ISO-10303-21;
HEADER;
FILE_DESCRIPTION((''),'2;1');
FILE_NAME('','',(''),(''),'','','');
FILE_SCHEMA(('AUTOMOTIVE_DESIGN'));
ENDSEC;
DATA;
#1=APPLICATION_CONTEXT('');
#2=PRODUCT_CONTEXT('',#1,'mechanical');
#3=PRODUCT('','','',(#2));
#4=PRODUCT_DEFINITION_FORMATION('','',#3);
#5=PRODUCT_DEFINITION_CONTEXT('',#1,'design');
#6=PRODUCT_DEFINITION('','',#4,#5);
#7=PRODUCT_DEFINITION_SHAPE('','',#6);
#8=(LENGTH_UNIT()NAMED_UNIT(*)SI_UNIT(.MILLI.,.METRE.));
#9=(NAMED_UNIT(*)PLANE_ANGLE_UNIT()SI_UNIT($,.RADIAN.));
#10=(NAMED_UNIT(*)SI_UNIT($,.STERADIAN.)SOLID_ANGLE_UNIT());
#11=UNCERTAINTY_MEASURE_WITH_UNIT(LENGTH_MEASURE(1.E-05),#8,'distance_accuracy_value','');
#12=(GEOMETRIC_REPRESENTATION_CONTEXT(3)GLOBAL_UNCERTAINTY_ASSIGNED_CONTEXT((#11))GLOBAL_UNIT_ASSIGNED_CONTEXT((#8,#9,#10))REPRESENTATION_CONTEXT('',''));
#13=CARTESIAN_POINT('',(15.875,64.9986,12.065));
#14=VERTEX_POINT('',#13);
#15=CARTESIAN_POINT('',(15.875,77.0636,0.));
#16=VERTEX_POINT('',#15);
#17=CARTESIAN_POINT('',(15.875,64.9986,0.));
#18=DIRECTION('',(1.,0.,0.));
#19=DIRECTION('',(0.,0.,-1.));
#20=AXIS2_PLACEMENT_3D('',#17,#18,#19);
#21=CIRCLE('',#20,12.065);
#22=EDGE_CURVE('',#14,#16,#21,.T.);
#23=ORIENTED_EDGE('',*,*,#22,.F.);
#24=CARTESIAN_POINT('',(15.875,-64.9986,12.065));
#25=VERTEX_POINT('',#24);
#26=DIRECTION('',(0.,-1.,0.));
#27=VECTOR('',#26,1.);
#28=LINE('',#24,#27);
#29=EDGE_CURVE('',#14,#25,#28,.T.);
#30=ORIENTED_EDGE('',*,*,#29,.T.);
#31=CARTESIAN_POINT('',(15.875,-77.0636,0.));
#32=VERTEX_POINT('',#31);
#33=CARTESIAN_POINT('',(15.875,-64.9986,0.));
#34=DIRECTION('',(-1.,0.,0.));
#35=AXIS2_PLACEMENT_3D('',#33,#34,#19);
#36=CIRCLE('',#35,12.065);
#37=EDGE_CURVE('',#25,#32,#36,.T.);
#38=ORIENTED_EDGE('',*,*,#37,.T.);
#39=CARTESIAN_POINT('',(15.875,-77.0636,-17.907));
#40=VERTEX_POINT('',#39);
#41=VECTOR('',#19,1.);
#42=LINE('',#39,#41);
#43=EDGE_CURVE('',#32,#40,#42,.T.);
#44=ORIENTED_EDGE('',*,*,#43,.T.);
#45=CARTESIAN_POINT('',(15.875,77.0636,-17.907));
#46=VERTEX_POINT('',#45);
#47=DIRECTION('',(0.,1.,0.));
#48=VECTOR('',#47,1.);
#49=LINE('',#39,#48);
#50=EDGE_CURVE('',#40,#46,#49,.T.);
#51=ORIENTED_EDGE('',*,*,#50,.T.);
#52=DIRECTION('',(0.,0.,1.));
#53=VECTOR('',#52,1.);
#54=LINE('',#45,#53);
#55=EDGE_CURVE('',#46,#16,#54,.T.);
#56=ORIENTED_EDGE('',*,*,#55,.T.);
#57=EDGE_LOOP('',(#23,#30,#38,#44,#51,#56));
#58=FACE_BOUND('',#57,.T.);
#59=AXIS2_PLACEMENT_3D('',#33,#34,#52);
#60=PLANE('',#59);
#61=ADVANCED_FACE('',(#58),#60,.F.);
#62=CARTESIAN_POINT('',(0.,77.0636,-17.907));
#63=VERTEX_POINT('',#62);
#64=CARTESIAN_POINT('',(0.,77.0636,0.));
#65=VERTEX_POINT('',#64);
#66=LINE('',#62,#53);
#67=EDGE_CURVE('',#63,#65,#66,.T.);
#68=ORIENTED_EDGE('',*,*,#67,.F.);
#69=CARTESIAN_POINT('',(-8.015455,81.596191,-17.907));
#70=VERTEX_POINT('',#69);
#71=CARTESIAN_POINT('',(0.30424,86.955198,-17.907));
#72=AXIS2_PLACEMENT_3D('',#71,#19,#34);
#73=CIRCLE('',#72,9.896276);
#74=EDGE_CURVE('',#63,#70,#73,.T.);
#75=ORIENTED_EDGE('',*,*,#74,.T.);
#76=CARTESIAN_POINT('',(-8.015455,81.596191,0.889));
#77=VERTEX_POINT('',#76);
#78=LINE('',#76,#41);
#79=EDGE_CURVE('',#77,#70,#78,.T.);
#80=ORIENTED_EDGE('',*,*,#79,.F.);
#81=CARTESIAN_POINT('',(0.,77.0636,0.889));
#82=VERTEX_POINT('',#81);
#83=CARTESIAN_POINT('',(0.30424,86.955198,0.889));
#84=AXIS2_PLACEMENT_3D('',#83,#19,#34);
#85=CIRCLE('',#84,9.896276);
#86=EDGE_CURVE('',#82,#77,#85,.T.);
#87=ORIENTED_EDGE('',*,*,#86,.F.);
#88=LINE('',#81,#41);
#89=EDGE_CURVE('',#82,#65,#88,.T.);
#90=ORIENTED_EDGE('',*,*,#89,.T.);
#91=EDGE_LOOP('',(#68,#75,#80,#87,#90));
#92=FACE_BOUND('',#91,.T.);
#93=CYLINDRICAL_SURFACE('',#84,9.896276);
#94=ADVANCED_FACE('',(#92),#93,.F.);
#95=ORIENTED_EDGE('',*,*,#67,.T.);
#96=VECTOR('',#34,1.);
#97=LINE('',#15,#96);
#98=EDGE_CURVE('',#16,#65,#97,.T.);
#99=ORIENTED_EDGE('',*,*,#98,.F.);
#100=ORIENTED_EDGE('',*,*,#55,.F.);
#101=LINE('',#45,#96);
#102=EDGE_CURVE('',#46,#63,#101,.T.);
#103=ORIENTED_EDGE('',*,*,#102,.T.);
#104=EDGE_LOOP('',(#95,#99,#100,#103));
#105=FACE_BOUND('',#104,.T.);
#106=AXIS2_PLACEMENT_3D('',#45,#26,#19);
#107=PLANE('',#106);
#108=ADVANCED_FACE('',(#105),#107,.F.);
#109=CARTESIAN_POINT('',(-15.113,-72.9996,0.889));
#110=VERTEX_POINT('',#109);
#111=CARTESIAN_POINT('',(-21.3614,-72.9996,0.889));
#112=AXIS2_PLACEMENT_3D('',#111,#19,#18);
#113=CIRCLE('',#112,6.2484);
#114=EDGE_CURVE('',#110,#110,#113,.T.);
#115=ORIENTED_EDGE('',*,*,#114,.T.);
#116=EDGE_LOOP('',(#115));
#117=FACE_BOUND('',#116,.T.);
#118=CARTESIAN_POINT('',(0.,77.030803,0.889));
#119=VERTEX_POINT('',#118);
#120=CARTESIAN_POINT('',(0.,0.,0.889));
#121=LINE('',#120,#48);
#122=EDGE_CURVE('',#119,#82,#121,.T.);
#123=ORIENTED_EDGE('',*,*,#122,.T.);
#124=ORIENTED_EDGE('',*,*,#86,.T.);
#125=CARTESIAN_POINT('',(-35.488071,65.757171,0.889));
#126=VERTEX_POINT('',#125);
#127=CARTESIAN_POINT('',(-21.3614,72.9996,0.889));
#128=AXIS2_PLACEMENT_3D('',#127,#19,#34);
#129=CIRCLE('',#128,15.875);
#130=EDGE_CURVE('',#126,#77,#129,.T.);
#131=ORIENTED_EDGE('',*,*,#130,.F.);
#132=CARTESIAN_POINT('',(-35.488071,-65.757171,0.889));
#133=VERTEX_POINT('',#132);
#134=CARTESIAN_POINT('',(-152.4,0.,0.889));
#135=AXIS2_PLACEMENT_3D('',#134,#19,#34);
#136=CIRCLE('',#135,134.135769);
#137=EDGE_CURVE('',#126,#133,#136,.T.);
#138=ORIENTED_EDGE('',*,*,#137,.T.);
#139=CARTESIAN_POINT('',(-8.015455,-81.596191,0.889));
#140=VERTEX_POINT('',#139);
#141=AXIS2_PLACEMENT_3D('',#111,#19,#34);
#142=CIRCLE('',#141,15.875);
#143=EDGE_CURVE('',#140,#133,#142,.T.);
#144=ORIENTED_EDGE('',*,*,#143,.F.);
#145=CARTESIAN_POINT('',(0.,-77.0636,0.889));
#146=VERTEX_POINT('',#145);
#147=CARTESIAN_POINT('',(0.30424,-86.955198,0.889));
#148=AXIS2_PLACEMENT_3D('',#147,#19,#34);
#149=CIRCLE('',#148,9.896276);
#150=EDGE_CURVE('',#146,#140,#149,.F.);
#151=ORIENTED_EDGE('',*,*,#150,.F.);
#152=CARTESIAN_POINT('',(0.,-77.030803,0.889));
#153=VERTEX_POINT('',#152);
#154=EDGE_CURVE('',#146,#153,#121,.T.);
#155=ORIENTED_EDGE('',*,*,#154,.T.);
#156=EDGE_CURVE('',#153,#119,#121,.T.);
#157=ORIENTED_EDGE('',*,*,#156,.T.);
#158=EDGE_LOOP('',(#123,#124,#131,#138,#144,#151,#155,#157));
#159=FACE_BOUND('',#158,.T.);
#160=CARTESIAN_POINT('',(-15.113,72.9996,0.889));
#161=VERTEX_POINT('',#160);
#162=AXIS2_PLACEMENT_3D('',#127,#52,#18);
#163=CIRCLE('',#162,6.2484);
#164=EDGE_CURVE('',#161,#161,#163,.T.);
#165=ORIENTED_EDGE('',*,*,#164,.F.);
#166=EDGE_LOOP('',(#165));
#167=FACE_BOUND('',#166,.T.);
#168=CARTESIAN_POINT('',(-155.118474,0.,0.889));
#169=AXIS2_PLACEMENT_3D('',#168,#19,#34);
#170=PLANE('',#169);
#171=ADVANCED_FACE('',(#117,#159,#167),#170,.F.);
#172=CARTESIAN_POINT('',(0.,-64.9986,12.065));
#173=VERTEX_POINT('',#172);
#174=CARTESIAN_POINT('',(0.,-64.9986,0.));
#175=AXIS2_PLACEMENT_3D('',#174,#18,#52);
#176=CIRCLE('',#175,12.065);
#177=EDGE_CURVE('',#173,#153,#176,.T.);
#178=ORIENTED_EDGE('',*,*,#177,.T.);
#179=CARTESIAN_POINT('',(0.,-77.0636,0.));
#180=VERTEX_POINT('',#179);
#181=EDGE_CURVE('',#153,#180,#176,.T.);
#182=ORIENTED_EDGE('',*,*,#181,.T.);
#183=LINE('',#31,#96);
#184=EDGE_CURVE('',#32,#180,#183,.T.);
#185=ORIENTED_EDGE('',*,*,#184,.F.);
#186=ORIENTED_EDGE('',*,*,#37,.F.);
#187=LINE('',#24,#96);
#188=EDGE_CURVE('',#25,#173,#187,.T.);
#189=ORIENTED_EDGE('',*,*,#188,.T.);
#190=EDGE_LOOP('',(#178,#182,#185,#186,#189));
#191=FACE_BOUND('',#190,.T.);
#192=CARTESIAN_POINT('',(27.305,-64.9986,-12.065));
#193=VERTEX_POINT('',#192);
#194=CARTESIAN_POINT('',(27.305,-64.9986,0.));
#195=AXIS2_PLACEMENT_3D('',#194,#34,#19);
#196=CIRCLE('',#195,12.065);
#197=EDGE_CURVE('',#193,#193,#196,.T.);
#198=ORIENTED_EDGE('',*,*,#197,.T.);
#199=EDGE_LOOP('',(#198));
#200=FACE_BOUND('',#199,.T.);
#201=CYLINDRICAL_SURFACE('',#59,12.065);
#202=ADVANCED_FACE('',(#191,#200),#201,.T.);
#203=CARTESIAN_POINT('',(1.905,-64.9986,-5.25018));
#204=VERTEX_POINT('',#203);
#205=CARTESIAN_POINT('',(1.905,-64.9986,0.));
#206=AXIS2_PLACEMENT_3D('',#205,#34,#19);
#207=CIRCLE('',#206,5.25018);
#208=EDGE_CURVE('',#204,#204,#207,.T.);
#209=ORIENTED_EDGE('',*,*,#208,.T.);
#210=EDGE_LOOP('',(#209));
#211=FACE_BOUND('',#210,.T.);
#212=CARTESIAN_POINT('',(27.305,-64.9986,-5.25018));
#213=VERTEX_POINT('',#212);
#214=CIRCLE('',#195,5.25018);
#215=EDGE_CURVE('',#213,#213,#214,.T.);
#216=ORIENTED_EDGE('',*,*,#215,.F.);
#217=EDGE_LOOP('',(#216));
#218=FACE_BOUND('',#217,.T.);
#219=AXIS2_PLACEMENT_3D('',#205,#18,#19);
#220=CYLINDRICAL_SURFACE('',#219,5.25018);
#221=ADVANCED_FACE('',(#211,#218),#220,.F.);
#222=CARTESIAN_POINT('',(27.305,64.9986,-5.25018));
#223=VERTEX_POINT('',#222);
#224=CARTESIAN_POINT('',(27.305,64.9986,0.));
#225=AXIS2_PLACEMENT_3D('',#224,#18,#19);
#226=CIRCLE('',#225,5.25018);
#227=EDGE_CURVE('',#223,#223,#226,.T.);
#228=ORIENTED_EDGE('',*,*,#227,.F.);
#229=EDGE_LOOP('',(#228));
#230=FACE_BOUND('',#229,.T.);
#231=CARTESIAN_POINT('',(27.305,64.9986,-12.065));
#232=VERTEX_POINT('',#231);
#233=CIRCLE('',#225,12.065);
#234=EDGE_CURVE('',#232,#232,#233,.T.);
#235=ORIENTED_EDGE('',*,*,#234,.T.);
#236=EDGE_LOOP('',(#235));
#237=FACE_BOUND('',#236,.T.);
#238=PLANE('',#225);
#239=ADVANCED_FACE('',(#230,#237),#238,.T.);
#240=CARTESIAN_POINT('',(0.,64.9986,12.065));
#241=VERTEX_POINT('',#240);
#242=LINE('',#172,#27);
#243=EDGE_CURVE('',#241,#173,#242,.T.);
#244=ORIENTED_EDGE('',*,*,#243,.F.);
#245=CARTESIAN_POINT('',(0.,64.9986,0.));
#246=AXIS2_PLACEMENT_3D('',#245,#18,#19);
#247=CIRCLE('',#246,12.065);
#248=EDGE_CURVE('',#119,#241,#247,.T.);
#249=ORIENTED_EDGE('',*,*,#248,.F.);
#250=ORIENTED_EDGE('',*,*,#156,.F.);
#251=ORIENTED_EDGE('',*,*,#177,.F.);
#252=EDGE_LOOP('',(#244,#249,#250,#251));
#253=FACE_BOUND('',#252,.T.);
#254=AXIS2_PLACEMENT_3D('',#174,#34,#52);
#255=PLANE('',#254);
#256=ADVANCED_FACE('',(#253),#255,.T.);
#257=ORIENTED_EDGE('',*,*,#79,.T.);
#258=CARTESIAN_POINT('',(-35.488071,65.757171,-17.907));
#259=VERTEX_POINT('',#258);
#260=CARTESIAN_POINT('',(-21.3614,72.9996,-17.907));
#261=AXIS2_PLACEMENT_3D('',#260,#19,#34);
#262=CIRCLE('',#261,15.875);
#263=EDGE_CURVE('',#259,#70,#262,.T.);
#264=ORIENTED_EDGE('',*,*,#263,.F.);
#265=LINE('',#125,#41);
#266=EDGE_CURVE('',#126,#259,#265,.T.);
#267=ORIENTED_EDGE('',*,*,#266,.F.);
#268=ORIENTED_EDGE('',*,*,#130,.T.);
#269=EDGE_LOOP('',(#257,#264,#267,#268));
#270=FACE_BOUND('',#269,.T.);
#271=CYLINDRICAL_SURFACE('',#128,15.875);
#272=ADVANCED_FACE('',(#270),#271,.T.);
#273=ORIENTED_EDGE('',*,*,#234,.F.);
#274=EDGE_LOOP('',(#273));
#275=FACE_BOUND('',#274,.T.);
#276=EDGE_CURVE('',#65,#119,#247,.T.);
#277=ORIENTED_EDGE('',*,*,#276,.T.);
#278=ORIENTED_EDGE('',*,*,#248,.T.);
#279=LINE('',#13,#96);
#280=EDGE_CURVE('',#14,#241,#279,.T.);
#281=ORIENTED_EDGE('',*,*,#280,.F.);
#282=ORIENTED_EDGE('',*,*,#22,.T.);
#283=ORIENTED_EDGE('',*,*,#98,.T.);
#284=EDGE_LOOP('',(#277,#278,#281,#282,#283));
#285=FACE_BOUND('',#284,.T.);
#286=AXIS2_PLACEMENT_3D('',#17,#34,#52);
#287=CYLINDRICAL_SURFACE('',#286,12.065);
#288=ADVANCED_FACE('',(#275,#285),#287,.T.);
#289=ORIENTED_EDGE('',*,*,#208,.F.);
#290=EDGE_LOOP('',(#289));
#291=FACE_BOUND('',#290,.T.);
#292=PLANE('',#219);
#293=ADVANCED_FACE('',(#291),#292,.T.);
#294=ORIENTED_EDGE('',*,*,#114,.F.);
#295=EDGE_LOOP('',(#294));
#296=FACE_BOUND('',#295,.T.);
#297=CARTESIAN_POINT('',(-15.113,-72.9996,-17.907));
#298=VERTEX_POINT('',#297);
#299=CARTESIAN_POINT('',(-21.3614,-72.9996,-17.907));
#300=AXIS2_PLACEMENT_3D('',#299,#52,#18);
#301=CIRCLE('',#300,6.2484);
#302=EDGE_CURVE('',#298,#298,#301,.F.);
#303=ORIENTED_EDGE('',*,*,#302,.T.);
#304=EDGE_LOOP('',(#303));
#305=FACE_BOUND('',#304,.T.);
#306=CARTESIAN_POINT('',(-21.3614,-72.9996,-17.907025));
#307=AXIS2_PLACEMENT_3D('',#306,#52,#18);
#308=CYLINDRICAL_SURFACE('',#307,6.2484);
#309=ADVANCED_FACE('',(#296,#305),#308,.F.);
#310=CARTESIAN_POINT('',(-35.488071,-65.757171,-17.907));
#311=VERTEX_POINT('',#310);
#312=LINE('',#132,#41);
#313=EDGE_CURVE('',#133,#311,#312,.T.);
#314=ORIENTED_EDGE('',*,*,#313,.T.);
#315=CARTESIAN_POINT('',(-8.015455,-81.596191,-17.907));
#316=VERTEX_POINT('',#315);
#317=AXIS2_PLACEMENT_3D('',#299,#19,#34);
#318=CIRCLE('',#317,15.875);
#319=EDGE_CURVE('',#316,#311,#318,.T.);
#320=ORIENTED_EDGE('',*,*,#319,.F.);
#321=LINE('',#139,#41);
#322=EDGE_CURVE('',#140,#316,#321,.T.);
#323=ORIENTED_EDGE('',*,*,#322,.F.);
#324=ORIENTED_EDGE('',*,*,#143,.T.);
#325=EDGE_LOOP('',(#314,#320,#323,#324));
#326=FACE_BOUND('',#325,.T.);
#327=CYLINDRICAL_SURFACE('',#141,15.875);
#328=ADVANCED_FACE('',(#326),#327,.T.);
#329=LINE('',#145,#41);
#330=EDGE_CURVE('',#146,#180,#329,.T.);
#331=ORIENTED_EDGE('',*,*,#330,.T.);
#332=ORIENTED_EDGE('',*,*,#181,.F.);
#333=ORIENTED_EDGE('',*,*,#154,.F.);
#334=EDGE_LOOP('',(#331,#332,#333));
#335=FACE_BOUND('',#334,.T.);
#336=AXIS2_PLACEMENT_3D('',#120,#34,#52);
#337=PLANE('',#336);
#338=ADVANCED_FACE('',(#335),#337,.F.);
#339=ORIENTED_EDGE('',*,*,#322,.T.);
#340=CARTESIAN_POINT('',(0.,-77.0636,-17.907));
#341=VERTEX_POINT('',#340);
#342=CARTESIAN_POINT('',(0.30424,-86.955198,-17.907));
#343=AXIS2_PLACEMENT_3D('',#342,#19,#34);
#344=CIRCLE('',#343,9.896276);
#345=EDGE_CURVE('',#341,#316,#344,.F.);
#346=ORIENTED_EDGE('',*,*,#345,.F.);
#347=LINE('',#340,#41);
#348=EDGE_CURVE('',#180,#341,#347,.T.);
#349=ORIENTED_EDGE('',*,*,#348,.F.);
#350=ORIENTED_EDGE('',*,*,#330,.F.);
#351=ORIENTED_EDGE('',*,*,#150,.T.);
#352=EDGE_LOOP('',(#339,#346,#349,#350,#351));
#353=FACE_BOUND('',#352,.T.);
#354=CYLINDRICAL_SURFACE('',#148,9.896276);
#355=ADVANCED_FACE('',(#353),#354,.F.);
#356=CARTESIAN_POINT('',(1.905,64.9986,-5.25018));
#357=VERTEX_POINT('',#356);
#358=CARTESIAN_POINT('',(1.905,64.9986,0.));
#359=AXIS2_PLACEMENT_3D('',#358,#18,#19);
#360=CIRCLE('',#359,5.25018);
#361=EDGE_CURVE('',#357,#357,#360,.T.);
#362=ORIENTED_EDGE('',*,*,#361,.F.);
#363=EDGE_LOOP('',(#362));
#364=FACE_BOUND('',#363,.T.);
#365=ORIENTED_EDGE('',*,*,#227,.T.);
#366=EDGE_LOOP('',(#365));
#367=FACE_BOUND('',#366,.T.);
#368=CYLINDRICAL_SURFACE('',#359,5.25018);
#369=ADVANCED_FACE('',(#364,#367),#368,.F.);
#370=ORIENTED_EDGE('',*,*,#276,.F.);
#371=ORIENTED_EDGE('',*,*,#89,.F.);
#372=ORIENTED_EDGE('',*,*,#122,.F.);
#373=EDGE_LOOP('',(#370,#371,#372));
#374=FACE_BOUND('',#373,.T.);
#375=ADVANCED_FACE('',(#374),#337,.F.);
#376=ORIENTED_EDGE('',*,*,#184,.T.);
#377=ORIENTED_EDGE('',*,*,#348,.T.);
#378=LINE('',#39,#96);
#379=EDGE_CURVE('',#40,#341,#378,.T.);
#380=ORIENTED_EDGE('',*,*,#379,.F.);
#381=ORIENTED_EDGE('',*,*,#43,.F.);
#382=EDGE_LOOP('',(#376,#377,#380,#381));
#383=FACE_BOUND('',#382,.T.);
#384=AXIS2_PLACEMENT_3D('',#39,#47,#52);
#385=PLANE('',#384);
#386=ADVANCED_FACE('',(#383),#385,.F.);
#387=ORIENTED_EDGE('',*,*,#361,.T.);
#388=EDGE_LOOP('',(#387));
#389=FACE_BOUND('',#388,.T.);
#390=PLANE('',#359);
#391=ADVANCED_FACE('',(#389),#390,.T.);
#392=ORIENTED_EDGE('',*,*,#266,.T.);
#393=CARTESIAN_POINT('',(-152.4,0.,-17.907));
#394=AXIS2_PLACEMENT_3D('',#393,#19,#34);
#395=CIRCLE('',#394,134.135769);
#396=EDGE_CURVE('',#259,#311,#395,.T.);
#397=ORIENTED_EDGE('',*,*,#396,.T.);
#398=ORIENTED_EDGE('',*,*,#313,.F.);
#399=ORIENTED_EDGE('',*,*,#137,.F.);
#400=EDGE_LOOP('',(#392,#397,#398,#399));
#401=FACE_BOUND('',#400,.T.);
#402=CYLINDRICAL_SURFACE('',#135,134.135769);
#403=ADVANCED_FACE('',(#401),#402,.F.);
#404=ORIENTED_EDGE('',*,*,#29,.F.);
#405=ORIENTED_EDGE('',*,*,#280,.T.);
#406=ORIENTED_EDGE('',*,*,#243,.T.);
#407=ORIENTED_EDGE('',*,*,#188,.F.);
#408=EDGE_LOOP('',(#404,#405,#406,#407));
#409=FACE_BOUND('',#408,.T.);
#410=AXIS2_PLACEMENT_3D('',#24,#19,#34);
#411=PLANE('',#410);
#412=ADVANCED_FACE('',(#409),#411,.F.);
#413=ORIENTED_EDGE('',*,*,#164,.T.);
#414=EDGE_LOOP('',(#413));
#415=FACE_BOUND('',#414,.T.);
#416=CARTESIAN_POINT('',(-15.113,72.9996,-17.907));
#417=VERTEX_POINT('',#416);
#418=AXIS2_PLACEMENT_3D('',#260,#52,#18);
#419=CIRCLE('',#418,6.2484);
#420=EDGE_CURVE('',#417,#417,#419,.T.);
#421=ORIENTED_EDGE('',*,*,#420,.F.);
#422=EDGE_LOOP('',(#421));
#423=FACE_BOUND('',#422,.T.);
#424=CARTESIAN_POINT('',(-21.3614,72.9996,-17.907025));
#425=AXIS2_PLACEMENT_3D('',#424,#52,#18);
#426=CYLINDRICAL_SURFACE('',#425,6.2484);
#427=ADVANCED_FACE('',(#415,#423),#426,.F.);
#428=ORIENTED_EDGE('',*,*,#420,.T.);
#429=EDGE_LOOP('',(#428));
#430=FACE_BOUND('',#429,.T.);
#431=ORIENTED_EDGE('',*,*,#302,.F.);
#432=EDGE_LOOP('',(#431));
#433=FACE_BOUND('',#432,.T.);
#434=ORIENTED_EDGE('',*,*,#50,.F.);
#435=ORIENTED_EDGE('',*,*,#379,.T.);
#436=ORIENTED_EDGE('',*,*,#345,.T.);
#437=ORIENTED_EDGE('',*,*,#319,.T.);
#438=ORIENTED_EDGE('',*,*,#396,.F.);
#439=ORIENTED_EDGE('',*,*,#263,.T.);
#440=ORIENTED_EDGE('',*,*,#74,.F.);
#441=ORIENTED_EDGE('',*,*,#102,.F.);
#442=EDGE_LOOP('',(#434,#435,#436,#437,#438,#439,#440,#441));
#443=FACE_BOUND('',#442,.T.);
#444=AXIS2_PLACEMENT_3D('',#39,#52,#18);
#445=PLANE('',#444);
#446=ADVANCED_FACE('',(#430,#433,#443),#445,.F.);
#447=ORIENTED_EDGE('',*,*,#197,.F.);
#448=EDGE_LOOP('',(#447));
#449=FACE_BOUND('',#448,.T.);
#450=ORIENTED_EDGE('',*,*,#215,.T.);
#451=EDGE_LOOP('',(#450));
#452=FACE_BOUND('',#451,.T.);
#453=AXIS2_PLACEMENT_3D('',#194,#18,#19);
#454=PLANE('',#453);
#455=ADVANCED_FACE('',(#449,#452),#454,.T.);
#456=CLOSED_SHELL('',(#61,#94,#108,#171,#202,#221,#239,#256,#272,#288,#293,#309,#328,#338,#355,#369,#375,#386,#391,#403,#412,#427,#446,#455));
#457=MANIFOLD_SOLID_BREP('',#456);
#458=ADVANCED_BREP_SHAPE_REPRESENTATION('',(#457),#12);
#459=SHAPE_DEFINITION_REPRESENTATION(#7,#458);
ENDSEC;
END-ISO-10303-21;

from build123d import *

# Parameters (mm, degrees)
EXTRUDE1_DEPTH     = 15.875
SKETCH2_R          = 12.065
EXTRUDE2_DEPTH     = 11.43
EXTRUDE4_DEPTH     = 18.796
SKETCH5_R          = 6.2484
CUT_EXTRUDE1_DEPTH = 19.796
SKETCH7_R          = 5.25018
CUT_EXTRUDE2_DEPTH = 25.4


with BuildPart() as part:
    # Sketch1 → Extrude1 (new body)
    with BuildSketch(Plane(origin=(0, 0, 0), x_dir=(0, 0, -1), z_dir=(1, 0, 0))):
        with BuildLine():
            Line((17.907, -77.0636), (17.907, 77.0636))
            Line((17.907, 77.0636), (0, 77.0636))
            ThreePointArc((0, 77.0636), (-8.531243315, 73.529843315), (-12.065, 64.9986))
            Line((-12.065, 64.9986), (-12.065, -64.9986))
            ThreePointArc((-12.065, -64.9986), (-8.531243315, -73.529843315), (0, -77.0636))
            Line((0, -77.0636), (17.907, -77.0636))
        make_face()
    extrude(amount=EXTRUDE1_DEPTH)

    # Sketch2 → Extrude2 (add)
    with BuildSketch(Plane(origin=(15.875, 0, 0), x_dir=(0, 0, -1), z_dir=(1, 0, 0))):
        with Locations(Location((0, 64.9986, 0), (0, 0, 180))):  # turned: the seam where the file's is
            Circle(SKETCH2_R)
    extrude2 = extrude(amount=EXTRUDE2_DEPTH)

    # Mirror of Extrude 2: Extrude2 across plane
    add(extrude2.mirror(Plane.ZX))

    # Sketch4 → Extrude4 (add)
    with BuildSketch(Plane(origin=(0, 0, -17.907), x_dir=(-1, 0, 0), z_dir=(0, 0, -1))):
        with BuildLine():
            ThreePointArc((8.015455062, 81.59619111), (4.56701856, 78.340842715), (0, 77.0636))
            Line((0, 77.0636), (0, -77.0636))
            ThreePointArc((0, -77.0636), (4.56701856, -78.340842715), (8.015455062, -81.59619111))
            ThreePointArc((8.015455062, -81.59619111), (29.290525196, -86.75258508), (35.488071258, -65.757170562))
            ThreePointArc((35.488071258, -65.757170562), (18.264230861, 0), (35.488071258, 65.757170562))
            ThreePointArc((35.488071258, 65.757170562), (29.290525196, 86.75258508), (8.015455062, 81.59619111))
        make_face()
    extrude(amount=-EXTRUDE4_DEPTH)

    # Sketch5 → Cut-Extrude1 (cut, through all)
    with BuildSketch(Plane.XY.offset(0.889)):
        with Locations((-21.3614, 72.9996)):
            Circle(SKETCH5_R)
    cut_extrude1 = extrude(amount=-CUT_EXTRUDE1_DEPTH, mode=Mode.SUBTRACT)

    # Sketch7 → Cut-Extrude2 (cut)
    with BuildSketch(Plane(origin=(27.305, 0, 0), x_dir=(0, 0, -1), z_dir=(1, 0, 0))):
        with Locations((0, 64.9986)):
            Circle(SKETCH7_R)
    cut_extrude2 = extrude(amount=-CUT_EXTRUDE2_DEPTH, mode=Mode.SUBTRACT)

    # Mirror1: Cut-Extrude1, Cut-Extrude2 across plane
    add(cut_extrude1.mirror(Plane.ZX), mode=Mode.SUBTRACT)
    add(cut_extrude2.mirror(Plane.ZX), mode=Mode.SUBTRACT)


solid = part.part
